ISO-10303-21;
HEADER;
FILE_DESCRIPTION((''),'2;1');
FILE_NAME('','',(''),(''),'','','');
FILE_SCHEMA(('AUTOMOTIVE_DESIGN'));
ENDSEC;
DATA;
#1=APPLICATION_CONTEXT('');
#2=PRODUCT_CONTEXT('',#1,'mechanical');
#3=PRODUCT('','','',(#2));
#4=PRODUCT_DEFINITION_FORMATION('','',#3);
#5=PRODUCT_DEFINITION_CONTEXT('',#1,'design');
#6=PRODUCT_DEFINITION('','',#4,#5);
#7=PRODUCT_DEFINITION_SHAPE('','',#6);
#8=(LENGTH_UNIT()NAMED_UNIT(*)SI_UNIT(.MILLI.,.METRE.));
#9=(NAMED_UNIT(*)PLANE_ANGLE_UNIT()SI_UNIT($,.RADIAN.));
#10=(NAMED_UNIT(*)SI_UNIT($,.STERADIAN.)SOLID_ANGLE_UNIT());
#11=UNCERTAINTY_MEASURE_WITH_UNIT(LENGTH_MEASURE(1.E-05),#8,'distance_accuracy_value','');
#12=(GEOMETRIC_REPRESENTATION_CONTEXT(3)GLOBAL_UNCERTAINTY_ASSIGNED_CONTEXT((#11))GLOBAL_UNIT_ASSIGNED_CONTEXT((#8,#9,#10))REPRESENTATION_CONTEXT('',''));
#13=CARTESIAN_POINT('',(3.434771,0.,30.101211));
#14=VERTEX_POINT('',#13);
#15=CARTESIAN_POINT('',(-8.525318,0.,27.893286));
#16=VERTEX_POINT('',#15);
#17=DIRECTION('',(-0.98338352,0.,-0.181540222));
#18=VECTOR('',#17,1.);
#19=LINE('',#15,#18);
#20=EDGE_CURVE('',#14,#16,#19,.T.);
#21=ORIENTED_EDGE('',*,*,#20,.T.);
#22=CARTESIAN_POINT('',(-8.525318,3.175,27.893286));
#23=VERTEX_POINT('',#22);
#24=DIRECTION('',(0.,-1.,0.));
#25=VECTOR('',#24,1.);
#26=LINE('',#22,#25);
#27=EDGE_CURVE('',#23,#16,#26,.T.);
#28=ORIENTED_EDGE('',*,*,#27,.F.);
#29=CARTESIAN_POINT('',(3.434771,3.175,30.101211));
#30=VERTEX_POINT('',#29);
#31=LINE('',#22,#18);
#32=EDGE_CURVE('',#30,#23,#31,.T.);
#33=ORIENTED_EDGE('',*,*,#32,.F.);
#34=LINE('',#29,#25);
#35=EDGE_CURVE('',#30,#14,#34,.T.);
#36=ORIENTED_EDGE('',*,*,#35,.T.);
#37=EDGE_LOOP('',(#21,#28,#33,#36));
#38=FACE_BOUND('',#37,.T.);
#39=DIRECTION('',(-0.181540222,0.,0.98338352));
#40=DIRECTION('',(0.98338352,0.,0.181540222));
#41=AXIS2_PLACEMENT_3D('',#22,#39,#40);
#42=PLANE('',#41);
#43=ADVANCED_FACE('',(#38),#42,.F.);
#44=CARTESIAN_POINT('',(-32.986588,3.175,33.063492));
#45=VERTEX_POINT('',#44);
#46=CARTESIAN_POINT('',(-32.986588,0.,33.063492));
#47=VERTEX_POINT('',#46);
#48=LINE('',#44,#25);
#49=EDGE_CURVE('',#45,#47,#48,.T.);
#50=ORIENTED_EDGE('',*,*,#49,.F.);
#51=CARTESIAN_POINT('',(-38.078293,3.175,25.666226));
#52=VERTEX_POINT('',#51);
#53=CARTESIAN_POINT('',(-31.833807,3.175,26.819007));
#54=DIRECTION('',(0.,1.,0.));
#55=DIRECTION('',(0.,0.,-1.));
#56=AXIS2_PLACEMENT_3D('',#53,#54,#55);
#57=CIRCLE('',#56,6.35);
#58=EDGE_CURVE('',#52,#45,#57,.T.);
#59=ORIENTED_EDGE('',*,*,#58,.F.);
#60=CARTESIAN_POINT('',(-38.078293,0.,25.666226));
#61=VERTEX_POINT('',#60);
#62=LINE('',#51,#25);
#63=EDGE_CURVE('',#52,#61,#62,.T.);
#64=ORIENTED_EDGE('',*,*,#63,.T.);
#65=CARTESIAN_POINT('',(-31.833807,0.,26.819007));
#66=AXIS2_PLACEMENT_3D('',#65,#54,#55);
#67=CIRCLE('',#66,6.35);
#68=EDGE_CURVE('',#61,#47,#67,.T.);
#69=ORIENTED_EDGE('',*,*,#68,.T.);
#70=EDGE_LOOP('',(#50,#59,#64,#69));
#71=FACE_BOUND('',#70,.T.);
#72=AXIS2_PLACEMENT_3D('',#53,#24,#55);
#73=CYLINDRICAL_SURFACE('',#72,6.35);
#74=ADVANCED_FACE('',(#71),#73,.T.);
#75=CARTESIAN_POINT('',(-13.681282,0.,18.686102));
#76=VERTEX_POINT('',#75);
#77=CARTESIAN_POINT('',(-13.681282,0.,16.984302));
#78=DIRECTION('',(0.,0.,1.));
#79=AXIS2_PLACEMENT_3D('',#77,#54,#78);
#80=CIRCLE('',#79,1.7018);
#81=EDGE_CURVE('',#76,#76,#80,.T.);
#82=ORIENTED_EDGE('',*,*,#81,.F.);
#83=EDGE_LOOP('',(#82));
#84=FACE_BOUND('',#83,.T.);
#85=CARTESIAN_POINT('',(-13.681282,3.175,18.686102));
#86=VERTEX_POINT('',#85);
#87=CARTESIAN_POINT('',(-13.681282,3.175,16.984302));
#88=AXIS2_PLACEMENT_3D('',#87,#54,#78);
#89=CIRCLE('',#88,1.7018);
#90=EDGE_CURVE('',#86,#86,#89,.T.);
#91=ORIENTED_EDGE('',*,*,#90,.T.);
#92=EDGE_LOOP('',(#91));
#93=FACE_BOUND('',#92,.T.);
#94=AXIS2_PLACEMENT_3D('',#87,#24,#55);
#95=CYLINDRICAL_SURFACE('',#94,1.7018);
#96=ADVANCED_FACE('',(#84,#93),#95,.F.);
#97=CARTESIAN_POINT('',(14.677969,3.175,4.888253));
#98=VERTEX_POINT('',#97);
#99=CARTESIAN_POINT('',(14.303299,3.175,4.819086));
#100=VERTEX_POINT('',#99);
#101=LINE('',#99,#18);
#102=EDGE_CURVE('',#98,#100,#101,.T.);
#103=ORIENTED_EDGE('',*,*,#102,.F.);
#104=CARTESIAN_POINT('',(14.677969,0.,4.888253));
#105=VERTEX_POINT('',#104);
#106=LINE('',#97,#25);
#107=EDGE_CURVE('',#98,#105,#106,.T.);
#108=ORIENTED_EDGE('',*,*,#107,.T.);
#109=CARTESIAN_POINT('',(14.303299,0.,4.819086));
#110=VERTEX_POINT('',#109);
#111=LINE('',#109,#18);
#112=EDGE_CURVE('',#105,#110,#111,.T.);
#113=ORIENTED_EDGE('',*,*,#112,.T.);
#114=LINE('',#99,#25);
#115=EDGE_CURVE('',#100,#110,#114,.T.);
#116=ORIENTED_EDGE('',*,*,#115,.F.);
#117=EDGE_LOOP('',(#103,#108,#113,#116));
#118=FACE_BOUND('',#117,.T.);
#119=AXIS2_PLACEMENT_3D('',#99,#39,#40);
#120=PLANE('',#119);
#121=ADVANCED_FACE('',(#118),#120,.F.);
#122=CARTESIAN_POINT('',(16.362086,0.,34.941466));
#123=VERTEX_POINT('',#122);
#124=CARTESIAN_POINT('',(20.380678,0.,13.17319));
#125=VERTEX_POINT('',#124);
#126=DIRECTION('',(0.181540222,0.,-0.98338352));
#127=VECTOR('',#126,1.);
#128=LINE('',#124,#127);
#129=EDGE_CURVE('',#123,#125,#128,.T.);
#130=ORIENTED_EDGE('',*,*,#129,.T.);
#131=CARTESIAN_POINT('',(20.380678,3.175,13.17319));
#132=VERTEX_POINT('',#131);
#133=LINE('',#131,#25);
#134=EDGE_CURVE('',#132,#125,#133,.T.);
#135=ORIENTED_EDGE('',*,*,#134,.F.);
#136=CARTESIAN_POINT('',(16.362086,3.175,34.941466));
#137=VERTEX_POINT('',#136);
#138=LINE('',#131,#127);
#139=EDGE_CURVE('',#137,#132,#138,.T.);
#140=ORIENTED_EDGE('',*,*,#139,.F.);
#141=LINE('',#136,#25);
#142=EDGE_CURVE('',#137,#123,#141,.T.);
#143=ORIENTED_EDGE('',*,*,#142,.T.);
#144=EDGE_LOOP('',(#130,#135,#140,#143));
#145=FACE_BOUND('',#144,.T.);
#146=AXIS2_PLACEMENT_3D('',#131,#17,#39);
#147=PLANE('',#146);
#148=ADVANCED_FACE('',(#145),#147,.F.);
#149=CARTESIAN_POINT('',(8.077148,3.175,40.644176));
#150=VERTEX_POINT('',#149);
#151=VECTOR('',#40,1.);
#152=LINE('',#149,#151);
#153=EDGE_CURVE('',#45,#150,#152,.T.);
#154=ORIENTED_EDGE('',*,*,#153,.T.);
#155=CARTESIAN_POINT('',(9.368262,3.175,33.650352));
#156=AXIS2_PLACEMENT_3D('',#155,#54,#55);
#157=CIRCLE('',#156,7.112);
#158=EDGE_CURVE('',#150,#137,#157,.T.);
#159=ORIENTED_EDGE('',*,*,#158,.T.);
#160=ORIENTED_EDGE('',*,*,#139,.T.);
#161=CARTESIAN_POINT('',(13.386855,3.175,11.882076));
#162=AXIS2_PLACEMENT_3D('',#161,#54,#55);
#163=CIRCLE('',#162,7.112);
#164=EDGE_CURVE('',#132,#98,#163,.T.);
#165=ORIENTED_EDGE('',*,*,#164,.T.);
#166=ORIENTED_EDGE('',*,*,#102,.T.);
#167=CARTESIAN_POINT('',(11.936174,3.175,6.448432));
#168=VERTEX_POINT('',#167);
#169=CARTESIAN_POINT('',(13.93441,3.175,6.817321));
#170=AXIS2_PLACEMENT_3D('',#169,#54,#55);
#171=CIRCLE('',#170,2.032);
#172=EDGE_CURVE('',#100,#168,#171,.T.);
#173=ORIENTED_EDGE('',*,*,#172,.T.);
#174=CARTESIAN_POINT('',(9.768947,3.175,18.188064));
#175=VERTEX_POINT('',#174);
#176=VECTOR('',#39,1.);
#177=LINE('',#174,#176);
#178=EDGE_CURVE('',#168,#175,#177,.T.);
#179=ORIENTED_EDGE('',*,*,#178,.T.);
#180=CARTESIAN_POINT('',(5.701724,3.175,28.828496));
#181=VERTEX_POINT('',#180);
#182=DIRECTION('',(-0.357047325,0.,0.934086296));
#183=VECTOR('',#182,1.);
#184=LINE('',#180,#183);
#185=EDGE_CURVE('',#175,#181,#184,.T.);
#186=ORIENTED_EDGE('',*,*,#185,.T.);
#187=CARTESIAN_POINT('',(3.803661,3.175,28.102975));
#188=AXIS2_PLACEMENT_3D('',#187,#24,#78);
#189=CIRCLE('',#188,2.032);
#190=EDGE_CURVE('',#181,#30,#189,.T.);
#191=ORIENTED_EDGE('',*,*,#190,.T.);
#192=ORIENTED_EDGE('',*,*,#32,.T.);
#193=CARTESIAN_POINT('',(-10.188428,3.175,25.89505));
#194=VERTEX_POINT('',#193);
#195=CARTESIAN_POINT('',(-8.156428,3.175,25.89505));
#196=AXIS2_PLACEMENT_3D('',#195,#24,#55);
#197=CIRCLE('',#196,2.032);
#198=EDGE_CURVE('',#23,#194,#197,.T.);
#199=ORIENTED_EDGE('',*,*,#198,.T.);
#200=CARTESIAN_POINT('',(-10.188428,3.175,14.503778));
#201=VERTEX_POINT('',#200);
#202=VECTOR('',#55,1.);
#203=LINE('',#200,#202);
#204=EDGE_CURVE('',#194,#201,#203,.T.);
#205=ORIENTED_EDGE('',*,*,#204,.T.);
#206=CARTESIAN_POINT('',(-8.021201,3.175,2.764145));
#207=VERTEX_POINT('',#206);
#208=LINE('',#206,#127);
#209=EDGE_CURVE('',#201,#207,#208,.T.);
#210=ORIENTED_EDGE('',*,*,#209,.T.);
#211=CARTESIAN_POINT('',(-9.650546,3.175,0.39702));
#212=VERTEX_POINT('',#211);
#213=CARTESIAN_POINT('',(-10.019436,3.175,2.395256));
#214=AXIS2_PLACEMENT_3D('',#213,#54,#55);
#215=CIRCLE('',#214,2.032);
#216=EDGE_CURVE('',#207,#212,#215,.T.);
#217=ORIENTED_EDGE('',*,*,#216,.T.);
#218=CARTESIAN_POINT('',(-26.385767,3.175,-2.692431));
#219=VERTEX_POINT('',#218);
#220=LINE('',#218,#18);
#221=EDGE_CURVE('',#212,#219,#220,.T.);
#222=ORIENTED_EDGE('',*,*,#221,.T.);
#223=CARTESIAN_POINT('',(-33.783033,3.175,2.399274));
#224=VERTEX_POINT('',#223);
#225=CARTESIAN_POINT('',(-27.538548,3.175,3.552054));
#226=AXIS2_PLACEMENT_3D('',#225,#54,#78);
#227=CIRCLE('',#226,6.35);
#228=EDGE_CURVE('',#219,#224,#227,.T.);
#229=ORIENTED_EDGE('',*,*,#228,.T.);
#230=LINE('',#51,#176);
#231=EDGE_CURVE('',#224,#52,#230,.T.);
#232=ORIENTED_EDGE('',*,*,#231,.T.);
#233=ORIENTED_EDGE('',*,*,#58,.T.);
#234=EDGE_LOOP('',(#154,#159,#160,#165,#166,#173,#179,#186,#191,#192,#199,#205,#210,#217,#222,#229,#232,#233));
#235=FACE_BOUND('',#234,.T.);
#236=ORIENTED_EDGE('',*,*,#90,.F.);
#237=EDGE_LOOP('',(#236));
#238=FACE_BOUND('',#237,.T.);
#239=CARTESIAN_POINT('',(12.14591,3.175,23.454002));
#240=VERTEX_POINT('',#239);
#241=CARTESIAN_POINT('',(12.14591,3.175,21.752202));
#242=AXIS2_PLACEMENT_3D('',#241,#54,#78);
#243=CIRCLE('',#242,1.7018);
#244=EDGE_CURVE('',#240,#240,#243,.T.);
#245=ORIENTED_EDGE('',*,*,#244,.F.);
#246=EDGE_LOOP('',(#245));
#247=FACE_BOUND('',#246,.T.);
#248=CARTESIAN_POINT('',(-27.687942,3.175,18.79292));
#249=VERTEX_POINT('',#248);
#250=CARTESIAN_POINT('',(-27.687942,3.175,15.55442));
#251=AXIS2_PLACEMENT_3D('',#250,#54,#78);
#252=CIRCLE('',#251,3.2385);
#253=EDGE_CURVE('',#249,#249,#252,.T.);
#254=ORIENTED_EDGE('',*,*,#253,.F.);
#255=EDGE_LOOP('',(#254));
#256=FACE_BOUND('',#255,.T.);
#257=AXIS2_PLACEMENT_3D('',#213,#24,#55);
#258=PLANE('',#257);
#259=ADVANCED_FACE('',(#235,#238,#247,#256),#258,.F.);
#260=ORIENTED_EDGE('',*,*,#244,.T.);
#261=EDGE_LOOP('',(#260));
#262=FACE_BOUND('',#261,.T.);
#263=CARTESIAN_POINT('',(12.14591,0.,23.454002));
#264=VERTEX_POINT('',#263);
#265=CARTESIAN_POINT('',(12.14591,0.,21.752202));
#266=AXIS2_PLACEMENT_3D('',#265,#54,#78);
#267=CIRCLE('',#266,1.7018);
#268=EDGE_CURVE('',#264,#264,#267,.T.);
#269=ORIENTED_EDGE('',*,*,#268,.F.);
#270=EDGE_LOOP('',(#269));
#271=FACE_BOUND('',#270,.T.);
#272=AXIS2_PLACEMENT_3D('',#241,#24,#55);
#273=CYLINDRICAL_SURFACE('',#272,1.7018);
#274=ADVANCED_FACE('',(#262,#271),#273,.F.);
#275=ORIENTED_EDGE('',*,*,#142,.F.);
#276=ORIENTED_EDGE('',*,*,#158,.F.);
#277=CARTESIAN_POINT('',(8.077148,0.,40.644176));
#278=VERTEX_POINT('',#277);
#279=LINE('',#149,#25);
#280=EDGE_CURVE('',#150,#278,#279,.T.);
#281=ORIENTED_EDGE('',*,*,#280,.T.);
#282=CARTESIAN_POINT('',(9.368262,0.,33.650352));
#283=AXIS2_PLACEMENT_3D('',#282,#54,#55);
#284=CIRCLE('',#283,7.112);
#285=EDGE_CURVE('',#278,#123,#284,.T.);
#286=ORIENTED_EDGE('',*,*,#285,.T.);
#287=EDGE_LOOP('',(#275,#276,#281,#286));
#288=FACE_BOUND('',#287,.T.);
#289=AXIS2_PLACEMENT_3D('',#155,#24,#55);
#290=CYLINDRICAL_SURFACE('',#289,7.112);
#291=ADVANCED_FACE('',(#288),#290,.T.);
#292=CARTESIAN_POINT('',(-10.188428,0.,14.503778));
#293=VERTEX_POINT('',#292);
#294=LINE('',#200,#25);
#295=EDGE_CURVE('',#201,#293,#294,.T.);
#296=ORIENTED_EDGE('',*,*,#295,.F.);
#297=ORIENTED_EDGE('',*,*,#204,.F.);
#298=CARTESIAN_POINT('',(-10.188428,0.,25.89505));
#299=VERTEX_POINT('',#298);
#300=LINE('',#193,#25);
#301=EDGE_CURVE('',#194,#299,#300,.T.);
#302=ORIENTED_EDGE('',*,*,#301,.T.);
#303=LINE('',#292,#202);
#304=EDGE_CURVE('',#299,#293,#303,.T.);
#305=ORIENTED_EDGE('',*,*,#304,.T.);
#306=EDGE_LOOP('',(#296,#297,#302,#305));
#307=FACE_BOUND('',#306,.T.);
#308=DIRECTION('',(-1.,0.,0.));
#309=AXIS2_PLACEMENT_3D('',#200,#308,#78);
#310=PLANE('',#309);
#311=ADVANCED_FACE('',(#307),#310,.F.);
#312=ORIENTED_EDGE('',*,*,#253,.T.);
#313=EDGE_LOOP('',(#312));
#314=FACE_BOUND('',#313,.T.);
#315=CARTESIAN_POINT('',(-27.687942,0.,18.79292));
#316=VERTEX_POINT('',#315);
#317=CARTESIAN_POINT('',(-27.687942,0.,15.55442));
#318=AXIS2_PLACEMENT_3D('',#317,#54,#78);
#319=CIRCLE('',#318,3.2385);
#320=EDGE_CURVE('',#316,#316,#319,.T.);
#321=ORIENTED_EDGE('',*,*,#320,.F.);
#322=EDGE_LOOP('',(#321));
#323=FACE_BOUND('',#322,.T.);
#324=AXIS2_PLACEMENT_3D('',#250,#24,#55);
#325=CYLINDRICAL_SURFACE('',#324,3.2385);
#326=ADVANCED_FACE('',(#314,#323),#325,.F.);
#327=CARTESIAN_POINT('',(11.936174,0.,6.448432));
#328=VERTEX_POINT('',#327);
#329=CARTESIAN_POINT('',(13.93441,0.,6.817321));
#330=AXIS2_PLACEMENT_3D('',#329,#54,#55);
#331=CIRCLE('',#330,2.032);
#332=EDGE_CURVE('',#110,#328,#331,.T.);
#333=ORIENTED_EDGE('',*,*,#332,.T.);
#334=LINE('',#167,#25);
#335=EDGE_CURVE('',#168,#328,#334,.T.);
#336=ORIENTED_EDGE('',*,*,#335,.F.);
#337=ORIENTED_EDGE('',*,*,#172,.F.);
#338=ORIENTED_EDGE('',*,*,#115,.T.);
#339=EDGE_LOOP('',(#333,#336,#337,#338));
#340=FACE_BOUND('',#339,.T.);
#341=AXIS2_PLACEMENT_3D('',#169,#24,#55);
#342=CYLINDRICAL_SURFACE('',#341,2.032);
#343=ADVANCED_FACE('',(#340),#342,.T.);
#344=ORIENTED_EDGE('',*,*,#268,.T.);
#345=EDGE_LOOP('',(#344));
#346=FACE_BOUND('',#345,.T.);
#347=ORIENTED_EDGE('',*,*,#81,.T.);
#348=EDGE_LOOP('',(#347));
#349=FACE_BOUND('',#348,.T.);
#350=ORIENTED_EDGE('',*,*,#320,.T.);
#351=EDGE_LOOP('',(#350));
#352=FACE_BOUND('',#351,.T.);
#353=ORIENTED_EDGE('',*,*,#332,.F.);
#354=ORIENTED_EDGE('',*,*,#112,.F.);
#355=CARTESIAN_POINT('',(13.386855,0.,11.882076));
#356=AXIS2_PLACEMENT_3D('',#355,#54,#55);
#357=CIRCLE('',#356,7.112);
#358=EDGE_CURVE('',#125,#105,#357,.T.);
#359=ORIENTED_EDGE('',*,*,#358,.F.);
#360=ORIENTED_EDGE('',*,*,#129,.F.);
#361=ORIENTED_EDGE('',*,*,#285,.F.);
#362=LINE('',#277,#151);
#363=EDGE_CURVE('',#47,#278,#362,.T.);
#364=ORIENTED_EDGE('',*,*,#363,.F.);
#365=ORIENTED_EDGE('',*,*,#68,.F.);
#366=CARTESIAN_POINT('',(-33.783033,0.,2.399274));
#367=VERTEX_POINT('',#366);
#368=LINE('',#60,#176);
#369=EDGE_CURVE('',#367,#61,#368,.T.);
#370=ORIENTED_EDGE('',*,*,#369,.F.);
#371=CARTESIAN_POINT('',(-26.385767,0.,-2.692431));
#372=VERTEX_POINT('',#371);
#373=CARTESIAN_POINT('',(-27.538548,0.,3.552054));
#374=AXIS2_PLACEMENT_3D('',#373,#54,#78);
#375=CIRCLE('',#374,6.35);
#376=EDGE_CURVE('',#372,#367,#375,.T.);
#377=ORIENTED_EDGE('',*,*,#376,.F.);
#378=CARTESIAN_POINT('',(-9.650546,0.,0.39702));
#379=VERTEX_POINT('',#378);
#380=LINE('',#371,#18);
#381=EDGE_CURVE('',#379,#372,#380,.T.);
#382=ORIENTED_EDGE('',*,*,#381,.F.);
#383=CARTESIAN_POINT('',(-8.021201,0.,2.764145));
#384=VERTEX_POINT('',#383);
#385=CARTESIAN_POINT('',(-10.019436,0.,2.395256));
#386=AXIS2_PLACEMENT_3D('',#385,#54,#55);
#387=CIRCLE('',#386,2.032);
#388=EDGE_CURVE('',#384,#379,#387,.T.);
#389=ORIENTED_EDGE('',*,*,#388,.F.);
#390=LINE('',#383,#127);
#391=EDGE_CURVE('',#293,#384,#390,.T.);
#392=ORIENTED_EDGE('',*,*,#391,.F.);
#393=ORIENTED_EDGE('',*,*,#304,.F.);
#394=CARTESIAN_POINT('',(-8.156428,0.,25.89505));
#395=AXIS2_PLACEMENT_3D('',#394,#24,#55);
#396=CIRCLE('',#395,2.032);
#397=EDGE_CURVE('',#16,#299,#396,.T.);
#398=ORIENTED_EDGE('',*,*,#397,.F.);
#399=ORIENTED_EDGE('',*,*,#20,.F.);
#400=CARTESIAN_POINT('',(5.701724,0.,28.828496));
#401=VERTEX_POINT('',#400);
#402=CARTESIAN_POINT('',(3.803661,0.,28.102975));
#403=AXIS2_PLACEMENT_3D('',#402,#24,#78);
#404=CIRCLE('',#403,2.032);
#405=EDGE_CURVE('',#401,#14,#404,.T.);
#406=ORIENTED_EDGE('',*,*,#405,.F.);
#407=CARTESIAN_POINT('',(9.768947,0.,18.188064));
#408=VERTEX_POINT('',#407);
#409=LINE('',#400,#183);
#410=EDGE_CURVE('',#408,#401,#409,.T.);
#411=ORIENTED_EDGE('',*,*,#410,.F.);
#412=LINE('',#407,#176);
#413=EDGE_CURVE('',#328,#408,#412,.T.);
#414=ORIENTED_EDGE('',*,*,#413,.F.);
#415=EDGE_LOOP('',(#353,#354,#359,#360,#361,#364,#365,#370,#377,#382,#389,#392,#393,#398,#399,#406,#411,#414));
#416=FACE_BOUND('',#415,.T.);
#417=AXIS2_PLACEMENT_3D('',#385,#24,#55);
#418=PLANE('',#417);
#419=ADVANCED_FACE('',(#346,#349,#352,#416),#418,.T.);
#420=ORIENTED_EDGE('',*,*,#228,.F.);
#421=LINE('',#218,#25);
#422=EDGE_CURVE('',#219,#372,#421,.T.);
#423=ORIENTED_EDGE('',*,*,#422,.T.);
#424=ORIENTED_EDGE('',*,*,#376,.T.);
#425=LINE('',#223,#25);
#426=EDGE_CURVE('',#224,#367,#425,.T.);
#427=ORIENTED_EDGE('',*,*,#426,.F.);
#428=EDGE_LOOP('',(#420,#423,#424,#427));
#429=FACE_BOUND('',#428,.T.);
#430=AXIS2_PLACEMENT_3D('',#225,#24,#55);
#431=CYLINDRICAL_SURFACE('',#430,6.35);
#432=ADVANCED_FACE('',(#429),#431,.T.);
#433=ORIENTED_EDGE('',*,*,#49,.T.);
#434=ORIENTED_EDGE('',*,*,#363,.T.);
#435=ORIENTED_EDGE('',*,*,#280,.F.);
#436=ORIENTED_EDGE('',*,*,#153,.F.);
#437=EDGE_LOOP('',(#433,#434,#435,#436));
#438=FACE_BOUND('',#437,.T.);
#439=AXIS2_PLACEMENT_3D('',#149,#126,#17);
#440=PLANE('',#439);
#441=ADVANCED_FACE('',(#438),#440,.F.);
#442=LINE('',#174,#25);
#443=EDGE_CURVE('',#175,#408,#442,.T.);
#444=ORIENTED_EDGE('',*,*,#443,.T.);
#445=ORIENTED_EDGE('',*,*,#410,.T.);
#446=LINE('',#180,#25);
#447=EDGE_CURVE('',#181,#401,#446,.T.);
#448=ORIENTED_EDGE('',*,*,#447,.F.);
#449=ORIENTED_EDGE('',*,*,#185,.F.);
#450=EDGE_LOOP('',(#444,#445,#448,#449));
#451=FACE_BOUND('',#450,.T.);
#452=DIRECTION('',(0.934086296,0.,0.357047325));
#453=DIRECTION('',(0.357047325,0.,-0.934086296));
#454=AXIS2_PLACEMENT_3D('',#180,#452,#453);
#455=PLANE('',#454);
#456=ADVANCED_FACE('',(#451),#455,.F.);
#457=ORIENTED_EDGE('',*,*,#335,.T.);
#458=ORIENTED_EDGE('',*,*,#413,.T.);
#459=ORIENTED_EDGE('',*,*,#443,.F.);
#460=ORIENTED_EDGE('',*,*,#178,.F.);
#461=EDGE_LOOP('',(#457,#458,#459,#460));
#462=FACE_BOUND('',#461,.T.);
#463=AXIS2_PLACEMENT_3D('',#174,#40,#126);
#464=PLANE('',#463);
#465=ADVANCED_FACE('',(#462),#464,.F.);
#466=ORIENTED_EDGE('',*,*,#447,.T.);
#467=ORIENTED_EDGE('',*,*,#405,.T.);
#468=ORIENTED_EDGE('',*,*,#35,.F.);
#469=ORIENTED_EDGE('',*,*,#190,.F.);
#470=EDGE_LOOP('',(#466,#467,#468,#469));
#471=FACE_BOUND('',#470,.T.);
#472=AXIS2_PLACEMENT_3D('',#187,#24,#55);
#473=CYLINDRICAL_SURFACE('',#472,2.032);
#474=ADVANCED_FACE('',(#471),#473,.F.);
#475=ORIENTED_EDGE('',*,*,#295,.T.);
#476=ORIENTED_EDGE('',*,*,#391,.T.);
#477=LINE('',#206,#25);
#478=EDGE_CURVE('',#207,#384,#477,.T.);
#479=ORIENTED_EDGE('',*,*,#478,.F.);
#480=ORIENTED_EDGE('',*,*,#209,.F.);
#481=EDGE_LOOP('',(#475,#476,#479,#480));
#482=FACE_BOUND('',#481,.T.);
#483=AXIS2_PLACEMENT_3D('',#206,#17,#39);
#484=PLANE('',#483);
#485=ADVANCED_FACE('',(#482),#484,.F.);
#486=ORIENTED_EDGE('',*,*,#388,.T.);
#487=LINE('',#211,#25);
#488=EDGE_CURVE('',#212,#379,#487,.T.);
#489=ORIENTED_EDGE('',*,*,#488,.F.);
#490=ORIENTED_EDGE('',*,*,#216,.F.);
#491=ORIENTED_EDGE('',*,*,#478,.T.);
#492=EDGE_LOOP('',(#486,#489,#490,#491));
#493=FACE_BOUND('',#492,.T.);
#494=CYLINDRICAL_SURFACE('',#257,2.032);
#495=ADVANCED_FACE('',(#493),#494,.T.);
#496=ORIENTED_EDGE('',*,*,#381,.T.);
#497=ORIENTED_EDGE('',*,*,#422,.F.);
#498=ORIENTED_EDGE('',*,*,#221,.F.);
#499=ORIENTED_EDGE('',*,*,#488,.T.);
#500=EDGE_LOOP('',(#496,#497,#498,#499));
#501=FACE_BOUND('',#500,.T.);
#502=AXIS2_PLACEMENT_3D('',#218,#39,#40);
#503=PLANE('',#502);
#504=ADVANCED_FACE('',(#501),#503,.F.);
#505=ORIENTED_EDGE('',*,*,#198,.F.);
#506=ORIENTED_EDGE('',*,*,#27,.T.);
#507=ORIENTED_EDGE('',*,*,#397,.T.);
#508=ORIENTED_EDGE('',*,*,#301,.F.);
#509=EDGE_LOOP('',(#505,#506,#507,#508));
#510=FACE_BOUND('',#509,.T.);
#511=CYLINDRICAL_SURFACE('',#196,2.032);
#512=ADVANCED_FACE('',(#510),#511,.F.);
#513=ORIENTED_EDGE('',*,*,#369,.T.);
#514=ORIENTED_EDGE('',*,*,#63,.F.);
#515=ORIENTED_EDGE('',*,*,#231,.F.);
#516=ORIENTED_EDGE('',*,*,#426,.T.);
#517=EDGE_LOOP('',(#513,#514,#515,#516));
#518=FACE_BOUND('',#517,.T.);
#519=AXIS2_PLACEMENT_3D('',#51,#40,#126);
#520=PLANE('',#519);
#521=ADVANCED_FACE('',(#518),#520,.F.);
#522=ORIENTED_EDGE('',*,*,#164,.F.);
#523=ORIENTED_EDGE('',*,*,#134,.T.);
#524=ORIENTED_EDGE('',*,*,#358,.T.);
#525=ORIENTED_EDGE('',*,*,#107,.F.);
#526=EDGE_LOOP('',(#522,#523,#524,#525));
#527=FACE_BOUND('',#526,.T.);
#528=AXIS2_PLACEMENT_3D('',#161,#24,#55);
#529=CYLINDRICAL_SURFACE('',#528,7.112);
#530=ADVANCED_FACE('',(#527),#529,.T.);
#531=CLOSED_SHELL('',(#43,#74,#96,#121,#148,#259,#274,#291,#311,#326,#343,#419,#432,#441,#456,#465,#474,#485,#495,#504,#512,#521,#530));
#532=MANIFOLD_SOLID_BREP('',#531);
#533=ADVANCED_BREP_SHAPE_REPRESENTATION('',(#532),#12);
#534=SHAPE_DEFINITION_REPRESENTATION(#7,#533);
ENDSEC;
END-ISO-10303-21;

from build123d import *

# Parameters (mm, degrees)
SKETCH1_R           = 1.7018
SKETCH1_R_2         = 3.2385
BOSS_EXTRUDE1_DEPTH = 3.175


with BuildPart() as part:
    # Sketch1 → Boss-Extrude1 (new body)
    with BuildSketch(Plane(origin=(0, 0, 0), x_dir=(1, 0, 0), z_dir=(0, 1, 0))):
        with BuildLine():
            Line((-26.385767095, 2.692431218), (-9.650546347, -0.397020276))
            ThreePointArc((-9.650546347, -0.397020276), (-8.345625907, -1.243134279), (-8.021200765, -2.76414532))
            Line((-8.021200765, -2.76414532), (-10.188427932, -14.503777784))
            Line((-10.188427932, -14.503777784), (-10.188427932, -25.895050365))
            ThreePointArc((-10.188427932, -25.895050365), (-9.718255056, -27.194942681), (-8.525317662, -27.893285678))
            Line((-8.525317662, -27.893285678), (3.434770775, -30.101210727))
            ThreePointArc((3.434770775, -30.101210727), (4.798418745, -29.874833209), (5.701723859, -28.828495578))
            Line((5.701723859, -28.828495578), (9.768947258, -18.188063969))
            Line((9.768947258, -18.188063969), (11.936174425, -6.448431504))
            ThreePointArc((11.936174425, -6.448431504), (12.782288428, -5.143511064), (14.303299469, -4.819085921))
            Line((14.303299469, -4.819085921), (14.67796859, -4.888252746))
            ThreePointArc((14.67796859, -4.888252746), (19.245190129, -7.849651756), (20.380678129, -13.173190399))
            Line((20.380678129, -13.173190399), (16.362085627, -34.941466341))
            ThreePointArc((16.362085627, -34.941466341), (13.400686617, -39.50868788), (8.077147974, -40.64417588))
            Line((8.077147974, -40.64417588), (-32.986587711, -33.063491917))
            ThreePointArc((-32.986587711, -33.063491917), (-37.064464086, -30.419385658), (-38.078292657, -25.666226155))
            Line((-38.078292657, -25.666226155), (-33.783032856, -2.399273728))
            ThreePointArc((-33.783032856, -2.399273728), (-31.138926597, 1.678602647), (-26.385767095, 2.692431218))
        make_face()
        with Locations((12.145909657, -21.752201671)):
            Circle(SKETCH1_R, mode=Mode.SUBTRACT)
        with Locations((-13.681281765, -16.984301904)):
            Circle(SKETCH1_R, mode=Mode.SUBTRACT)
        with Locations((-27.68794209, -15.55442008)):
            Circle(SKETCH1_R_2, mode=Mode.SUBTRACT)
    extrude(amount=BOSS_EXTRUDE1_DEPTH)


solid = part.part
